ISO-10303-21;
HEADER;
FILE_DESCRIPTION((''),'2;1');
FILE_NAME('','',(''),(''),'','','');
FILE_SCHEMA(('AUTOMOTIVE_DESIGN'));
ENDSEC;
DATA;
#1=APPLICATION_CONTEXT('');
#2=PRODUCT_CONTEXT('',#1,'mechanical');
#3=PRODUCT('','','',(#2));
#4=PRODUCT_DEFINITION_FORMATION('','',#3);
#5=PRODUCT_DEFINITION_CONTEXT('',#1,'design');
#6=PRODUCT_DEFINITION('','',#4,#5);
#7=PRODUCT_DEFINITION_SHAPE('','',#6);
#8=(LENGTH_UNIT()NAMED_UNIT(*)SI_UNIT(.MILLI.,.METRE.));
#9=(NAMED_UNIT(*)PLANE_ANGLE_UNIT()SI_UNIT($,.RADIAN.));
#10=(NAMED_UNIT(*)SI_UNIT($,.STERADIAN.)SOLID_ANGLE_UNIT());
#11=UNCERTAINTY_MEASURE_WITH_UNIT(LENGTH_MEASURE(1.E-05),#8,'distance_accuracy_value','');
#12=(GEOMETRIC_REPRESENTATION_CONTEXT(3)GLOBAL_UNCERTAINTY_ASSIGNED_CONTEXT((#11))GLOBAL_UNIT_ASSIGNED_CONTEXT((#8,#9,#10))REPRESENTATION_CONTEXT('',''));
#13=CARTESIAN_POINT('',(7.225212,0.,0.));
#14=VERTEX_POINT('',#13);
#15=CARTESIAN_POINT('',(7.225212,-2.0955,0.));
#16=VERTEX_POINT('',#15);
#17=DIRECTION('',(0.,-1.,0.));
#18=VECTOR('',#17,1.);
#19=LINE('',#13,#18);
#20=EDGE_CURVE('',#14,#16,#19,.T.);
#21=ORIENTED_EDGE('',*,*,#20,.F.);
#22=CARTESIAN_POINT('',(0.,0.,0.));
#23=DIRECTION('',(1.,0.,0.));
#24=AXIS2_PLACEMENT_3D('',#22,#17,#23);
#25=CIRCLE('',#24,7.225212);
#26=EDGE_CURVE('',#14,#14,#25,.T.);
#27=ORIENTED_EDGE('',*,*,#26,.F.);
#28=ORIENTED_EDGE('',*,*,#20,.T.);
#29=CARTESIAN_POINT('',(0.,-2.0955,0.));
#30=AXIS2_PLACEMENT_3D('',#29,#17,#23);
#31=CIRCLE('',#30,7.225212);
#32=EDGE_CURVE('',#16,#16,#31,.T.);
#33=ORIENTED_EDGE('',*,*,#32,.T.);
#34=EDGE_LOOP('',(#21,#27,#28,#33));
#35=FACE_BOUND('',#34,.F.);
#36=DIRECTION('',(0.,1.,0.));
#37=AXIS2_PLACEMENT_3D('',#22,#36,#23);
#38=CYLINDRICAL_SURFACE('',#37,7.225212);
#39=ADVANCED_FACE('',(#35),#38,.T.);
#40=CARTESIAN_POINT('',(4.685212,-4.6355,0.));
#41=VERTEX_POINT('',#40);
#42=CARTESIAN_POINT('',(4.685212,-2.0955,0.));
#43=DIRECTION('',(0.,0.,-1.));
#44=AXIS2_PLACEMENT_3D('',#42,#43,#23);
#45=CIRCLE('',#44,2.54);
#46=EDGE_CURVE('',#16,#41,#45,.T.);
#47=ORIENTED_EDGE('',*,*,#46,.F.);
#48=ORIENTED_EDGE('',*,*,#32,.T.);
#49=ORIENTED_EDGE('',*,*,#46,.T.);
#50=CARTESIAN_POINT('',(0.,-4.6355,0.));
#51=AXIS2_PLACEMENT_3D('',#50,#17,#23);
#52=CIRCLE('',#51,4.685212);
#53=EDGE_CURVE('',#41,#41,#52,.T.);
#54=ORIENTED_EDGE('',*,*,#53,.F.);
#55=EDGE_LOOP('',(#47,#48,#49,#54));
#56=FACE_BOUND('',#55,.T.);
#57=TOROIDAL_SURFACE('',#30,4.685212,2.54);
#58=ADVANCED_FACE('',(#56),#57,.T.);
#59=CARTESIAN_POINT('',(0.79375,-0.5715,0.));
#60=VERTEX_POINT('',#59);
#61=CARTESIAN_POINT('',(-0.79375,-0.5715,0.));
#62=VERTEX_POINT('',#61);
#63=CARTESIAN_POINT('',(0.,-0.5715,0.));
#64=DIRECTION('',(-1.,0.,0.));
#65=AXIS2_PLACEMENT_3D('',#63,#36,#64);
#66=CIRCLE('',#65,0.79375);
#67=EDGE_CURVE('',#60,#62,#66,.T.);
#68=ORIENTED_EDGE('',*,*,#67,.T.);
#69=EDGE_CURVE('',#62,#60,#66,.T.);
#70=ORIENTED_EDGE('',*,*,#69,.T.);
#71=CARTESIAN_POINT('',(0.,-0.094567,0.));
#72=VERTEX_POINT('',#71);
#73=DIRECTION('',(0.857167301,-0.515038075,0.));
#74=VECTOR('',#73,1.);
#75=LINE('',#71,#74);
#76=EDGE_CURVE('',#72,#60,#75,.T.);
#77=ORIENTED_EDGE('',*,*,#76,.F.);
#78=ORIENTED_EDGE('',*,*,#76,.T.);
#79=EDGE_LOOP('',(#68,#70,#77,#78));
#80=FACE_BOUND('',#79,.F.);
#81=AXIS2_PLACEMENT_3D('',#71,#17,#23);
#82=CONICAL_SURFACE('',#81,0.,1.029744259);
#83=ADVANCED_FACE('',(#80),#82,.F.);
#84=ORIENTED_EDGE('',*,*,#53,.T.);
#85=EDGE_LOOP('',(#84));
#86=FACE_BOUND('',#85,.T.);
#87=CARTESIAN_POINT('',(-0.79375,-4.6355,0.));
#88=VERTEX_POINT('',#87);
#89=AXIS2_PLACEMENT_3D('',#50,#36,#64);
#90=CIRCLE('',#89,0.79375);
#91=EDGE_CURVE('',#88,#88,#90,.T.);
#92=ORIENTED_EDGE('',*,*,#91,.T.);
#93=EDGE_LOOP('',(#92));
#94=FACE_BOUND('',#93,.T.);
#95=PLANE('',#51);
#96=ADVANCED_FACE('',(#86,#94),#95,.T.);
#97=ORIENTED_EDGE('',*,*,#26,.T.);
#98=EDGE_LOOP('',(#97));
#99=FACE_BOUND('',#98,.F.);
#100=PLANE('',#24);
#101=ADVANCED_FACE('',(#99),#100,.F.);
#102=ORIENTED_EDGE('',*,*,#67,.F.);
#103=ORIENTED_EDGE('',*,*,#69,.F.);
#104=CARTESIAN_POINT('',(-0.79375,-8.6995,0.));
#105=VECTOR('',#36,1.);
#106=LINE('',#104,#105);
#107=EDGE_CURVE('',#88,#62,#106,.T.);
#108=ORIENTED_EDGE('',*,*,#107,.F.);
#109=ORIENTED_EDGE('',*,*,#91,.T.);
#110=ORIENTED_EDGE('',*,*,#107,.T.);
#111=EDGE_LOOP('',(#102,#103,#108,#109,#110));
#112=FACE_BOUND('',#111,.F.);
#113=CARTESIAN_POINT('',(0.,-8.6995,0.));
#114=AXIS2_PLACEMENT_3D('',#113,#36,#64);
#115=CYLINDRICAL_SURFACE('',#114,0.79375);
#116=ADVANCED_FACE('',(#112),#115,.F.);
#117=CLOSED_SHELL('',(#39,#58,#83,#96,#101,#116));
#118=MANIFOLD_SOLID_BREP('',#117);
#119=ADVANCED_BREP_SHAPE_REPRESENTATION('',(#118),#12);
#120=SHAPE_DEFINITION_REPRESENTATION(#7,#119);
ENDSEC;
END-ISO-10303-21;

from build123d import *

# Parameters (mm, degrees)
F0_R     = 7.2252124777
F1_DEPTH = 4.6355
F3_D     = 1.5875
F3_DEPTH = 4.064
F3_TIP   = 0.4769331164
F4_R     = 2.54


with BuildPart() as f1:
    # F0 (on Front) → F1 (new body)
    with BuildSketch(Plane.XZ):
        Circle(F0_R)
    extrude(amount=F1_DEPTH)

    # F3
    with Locations(Plane.XZ.offset(4.6355)):
        with Locations((0, 0)):
            Hole(F3_D / 2, depth=F3_DEPTH)
            with Locations((0, 0, -(F3_DEPTH + F3_TIP / 2))):  # 118° drill point
                Cone(0, F3_D / 2, F3_TIP, mode=Mode.SUBTRACT)

    # F4
    f4_edges = [f1.edges().sort_by_distance(p)[0] for p in [
        (-7.225212, -4.6355, 0),
    ]]
    fillet(f4_edges, radius=F4_R)


solid = f1.part
